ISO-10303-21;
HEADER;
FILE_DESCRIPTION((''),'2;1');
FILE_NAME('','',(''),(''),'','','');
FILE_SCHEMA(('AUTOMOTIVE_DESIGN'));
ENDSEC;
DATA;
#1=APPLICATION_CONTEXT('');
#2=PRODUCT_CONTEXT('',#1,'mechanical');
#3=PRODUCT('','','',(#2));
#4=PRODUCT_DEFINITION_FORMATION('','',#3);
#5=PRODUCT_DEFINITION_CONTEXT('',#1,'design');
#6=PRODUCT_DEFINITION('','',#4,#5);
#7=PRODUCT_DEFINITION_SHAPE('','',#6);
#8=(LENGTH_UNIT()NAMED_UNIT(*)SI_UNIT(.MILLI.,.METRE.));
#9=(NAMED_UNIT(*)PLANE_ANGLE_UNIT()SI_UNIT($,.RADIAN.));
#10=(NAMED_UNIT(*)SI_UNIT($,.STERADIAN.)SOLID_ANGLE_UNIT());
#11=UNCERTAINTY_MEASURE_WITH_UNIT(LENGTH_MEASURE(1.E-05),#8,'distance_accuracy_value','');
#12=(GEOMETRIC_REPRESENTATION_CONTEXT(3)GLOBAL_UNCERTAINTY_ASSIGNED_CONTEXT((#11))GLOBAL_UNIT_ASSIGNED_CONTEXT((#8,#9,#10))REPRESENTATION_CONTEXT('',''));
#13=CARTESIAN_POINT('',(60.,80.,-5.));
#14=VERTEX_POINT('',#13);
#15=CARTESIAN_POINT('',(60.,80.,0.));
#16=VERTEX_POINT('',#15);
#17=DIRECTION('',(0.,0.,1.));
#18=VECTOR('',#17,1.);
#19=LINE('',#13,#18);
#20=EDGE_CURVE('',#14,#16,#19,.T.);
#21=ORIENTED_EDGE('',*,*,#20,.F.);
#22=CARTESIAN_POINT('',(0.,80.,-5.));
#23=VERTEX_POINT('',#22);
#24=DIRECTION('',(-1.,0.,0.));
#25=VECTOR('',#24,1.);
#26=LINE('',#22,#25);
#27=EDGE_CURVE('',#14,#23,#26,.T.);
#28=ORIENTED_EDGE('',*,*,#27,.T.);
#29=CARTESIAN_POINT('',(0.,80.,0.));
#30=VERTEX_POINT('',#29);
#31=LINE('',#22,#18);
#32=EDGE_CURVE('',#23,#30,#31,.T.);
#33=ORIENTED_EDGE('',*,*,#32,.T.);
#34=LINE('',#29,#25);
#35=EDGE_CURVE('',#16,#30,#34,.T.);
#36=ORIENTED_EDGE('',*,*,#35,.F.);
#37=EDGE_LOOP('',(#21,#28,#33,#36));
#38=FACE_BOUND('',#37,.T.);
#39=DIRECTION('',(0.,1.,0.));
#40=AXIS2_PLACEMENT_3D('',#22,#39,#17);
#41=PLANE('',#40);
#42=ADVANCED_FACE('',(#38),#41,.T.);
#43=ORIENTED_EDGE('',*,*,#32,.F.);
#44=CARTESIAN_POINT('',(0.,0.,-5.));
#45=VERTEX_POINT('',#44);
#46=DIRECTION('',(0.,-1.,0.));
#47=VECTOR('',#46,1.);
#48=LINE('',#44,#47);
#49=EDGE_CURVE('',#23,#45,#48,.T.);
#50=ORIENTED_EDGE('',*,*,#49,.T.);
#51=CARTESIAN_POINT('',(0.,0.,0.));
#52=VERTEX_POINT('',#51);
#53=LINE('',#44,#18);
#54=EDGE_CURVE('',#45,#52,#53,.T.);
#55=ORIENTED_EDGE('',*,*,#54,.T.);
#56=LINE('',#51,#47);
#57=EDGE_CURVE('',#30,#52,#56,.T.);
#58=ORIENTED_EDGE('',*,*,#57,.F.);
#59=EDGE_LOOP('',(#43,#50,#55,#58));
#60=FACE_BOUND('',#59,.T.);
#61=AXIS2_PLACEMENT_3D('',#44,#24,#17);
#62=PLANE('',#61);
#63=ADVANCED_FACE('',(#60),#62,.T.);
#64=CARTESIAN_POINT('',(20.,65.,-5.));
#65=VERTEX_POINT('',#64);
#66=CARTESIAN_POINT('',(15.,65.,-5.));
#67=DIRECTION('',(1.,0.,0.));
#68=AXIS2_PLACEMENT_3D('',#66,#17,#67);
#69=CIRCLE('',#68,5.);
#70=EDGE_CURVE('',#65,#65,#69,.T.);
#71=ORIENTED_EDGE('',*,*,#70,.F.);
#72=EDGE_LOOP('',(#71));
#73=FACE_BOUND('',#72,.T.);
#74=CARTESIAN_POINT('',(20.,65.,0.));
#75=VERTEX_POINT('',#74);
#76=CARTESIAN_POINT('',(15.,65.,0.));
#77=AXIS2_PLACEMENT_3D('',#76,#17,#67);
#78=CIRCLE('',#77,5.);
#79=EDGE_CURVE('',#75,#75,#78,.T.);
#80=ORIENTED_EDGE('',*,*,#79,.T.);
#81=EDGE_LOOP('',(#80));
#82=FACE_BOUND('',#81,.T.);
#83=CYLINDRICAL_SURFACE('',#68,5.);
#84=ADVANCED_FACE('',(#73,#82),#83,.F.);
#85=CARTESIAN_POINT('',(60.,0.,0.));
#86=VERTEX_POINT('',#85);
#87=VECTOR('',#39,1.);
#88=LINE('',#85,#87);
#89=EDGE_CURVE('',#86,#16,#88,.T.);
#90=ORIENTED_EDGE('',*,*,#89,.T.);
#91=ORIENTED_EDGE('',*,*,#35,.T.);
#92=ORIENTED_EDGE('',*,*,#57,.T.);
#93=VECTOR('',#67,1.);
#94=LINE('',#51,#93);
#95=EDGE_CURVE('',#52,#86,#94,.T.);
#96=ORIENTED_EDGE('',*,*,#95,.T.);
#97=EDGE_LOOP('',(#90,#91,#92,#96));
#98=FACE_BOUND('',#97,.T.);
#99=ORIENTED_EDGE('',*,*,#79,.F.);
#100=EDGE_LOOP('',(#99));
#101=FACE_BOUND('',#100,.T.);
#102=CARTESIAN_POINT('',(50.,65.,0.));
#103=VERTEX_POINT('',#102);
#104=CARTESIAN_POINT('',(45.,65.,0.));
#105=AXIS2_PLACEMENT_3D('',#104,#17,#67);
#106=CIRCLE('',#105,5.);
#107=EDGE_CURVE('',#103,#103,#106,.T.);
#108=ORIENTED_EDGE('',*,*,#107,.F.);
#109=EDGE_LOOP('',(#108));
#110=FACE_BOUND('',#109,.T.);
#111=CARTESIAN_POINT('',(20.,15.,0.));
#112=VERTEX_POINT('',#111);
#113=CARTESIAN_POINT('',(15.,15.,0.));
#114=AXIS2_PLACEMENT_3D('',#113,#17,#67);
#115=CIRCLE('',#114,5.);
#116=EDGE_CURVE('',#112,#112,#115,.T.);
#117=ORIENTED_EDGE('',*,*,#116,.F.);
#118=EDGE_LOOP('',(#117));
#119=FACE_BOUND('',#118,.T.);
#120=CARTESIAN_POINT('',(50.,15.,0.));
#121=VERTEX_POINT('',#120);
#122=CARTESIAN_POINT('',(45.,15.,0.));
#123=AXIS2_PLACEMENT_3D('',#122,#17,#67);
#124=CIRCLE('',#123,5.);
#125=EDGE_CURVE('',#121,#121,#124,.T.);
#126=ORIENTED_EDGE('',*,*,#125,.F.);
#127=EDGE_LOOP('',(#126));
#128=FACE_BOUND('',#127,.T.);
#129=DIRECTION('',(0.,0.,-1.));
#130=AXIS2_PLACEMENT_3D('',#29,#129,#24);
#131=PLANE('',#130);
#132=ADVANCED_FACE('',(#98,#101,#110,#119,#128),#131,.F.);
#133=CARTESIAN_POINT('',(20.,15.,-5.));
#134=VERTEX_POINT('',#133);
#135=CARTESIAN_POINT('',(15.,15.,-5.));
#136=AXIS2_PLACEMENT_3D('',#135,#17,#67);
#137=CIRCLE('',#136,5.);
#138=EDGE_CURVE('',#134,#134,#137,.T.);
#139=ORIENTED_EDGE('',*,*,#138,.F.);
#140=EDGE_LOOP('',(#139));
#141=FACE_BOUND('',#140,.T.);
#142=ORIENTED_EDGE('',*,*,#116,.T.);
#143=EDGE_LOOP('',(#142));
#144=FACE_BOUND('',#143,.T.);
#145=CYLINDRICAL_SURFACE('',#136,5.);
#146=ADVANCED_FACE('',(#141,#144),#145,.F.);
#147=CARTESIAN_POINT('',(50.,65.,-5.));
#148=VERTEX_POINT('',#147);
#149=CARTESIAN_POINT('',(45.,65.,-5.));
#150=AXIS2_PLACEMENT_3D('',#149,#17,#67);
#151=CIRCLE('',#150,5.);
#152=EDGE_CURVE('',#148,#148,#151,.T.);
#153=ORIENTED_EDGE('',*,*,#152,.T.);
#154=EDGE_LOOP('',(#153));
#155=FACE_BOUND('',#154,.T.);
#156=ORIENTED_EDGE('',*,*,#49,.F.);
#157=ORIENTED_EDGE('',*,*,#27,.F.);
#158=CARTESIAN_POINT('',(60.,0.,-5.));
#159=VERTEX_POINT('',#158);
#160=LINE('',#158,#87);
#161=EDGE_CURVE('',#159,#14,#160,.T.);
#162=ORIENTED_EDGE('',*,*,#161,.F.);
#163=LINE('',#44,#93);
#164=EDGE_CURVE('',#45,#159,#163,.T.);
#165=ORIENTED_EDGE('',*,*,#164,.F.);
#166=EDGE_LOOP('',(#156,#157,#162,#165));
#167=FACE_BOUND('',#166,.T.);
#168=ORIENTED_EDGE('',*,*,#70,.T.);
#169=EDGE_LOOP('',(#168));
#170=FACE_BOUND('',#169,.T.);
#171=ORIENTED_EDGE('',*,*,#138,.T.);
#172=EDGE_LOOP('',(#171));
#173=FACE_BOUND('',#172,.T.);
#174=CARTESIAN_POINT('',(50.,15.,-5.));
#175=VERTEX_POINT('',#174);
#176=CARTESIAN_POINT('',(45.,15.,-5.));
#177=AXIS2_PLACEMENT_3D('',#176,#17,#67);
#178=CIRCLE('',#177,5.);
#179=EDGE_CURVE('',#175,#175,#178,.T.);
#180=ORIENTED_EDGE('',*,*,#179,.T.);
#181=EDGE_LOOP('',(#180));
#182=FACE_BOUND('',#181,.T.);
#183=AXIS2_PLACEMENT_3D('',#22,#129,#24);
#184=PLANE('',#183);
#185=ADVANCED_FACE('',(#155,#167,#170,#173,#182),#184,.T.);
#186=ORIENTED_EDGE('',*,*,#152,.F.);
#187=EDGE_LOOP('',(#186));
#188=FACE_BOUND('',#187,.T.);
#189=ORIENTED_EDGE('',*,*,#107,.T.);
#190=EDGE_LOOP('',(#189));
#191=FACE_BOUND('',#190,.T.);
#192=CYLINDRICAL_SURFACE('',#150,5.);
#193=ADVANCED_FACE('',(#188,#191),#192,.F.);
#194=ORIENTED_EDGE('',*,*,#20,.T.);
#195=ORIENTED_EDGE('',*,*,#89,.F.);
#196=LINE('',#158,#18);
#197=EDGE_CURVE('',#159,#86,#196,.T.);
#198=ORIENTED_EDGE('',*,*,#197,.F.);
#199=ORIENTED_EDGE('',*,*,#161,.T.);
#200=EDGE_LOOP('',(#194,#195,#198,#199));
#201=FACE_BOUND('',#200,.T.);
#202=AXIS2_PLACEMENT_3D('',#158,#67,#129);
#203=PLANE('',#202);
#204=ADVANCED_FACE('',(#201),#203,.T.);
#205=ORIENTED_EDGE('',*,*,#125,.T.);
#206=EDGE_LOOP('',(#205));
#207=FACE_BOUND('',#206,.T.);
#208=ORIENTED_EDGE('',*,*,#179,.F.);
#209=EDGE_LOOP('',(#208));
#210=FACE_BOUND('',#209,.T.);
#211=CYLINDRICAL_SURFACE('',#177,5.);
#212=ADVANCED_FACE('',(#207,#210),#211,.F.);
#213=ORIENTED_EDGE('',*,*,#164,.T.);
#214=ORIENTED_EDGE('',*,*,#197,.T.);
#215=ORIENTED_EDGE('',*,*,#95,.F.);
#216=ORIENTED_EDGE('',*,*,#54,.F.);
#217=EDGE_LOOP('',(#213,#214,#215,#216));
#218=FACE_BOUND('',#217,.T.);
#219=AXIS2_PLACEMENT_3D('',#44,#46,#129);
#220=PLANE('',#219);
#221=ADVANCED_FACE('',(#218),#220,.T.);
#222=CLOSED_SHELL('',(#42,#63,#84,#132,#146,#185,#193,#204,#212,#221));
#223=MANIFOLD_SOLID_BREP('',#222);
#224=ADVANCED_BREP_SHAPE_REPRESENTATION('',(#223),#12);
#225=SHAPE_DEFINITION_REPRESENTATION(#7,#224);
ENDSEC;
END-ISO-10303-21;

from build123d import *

# Parameters (mm, degrees)
SKETCH1_W      = 60
SKETCH1_H      = 80
SKETCH1_R      = 5
EXTRUDE1_DEPTH = 5


with BuildPart() as part:
    # Sketch1 → Extrude1 (new body)
    with BuildSketch(Plane.XY):
        with Locations((30, 40)):
            Rectangle(SKETCH1_W, SKETCH1_H)
        with Locations((15, 15)):
            Circle(SKETCH1_R, mode=Mode.SUBTRACT)
        with Locations((45, 15)):
            Circle(SKETCH1_R, mode=Mode.SUBTRACT)
        with Locations((15, 65)):
            Circle(SKETCH1_R, mode=Mode.SUBTRACT)
        with Locations((45, 65)):
            Circle(SKETCH1_R, mode=Mode.SUBTRACT)
    extrude(amount=-EXTRUDE1_DEPTH)


solid = part.part
